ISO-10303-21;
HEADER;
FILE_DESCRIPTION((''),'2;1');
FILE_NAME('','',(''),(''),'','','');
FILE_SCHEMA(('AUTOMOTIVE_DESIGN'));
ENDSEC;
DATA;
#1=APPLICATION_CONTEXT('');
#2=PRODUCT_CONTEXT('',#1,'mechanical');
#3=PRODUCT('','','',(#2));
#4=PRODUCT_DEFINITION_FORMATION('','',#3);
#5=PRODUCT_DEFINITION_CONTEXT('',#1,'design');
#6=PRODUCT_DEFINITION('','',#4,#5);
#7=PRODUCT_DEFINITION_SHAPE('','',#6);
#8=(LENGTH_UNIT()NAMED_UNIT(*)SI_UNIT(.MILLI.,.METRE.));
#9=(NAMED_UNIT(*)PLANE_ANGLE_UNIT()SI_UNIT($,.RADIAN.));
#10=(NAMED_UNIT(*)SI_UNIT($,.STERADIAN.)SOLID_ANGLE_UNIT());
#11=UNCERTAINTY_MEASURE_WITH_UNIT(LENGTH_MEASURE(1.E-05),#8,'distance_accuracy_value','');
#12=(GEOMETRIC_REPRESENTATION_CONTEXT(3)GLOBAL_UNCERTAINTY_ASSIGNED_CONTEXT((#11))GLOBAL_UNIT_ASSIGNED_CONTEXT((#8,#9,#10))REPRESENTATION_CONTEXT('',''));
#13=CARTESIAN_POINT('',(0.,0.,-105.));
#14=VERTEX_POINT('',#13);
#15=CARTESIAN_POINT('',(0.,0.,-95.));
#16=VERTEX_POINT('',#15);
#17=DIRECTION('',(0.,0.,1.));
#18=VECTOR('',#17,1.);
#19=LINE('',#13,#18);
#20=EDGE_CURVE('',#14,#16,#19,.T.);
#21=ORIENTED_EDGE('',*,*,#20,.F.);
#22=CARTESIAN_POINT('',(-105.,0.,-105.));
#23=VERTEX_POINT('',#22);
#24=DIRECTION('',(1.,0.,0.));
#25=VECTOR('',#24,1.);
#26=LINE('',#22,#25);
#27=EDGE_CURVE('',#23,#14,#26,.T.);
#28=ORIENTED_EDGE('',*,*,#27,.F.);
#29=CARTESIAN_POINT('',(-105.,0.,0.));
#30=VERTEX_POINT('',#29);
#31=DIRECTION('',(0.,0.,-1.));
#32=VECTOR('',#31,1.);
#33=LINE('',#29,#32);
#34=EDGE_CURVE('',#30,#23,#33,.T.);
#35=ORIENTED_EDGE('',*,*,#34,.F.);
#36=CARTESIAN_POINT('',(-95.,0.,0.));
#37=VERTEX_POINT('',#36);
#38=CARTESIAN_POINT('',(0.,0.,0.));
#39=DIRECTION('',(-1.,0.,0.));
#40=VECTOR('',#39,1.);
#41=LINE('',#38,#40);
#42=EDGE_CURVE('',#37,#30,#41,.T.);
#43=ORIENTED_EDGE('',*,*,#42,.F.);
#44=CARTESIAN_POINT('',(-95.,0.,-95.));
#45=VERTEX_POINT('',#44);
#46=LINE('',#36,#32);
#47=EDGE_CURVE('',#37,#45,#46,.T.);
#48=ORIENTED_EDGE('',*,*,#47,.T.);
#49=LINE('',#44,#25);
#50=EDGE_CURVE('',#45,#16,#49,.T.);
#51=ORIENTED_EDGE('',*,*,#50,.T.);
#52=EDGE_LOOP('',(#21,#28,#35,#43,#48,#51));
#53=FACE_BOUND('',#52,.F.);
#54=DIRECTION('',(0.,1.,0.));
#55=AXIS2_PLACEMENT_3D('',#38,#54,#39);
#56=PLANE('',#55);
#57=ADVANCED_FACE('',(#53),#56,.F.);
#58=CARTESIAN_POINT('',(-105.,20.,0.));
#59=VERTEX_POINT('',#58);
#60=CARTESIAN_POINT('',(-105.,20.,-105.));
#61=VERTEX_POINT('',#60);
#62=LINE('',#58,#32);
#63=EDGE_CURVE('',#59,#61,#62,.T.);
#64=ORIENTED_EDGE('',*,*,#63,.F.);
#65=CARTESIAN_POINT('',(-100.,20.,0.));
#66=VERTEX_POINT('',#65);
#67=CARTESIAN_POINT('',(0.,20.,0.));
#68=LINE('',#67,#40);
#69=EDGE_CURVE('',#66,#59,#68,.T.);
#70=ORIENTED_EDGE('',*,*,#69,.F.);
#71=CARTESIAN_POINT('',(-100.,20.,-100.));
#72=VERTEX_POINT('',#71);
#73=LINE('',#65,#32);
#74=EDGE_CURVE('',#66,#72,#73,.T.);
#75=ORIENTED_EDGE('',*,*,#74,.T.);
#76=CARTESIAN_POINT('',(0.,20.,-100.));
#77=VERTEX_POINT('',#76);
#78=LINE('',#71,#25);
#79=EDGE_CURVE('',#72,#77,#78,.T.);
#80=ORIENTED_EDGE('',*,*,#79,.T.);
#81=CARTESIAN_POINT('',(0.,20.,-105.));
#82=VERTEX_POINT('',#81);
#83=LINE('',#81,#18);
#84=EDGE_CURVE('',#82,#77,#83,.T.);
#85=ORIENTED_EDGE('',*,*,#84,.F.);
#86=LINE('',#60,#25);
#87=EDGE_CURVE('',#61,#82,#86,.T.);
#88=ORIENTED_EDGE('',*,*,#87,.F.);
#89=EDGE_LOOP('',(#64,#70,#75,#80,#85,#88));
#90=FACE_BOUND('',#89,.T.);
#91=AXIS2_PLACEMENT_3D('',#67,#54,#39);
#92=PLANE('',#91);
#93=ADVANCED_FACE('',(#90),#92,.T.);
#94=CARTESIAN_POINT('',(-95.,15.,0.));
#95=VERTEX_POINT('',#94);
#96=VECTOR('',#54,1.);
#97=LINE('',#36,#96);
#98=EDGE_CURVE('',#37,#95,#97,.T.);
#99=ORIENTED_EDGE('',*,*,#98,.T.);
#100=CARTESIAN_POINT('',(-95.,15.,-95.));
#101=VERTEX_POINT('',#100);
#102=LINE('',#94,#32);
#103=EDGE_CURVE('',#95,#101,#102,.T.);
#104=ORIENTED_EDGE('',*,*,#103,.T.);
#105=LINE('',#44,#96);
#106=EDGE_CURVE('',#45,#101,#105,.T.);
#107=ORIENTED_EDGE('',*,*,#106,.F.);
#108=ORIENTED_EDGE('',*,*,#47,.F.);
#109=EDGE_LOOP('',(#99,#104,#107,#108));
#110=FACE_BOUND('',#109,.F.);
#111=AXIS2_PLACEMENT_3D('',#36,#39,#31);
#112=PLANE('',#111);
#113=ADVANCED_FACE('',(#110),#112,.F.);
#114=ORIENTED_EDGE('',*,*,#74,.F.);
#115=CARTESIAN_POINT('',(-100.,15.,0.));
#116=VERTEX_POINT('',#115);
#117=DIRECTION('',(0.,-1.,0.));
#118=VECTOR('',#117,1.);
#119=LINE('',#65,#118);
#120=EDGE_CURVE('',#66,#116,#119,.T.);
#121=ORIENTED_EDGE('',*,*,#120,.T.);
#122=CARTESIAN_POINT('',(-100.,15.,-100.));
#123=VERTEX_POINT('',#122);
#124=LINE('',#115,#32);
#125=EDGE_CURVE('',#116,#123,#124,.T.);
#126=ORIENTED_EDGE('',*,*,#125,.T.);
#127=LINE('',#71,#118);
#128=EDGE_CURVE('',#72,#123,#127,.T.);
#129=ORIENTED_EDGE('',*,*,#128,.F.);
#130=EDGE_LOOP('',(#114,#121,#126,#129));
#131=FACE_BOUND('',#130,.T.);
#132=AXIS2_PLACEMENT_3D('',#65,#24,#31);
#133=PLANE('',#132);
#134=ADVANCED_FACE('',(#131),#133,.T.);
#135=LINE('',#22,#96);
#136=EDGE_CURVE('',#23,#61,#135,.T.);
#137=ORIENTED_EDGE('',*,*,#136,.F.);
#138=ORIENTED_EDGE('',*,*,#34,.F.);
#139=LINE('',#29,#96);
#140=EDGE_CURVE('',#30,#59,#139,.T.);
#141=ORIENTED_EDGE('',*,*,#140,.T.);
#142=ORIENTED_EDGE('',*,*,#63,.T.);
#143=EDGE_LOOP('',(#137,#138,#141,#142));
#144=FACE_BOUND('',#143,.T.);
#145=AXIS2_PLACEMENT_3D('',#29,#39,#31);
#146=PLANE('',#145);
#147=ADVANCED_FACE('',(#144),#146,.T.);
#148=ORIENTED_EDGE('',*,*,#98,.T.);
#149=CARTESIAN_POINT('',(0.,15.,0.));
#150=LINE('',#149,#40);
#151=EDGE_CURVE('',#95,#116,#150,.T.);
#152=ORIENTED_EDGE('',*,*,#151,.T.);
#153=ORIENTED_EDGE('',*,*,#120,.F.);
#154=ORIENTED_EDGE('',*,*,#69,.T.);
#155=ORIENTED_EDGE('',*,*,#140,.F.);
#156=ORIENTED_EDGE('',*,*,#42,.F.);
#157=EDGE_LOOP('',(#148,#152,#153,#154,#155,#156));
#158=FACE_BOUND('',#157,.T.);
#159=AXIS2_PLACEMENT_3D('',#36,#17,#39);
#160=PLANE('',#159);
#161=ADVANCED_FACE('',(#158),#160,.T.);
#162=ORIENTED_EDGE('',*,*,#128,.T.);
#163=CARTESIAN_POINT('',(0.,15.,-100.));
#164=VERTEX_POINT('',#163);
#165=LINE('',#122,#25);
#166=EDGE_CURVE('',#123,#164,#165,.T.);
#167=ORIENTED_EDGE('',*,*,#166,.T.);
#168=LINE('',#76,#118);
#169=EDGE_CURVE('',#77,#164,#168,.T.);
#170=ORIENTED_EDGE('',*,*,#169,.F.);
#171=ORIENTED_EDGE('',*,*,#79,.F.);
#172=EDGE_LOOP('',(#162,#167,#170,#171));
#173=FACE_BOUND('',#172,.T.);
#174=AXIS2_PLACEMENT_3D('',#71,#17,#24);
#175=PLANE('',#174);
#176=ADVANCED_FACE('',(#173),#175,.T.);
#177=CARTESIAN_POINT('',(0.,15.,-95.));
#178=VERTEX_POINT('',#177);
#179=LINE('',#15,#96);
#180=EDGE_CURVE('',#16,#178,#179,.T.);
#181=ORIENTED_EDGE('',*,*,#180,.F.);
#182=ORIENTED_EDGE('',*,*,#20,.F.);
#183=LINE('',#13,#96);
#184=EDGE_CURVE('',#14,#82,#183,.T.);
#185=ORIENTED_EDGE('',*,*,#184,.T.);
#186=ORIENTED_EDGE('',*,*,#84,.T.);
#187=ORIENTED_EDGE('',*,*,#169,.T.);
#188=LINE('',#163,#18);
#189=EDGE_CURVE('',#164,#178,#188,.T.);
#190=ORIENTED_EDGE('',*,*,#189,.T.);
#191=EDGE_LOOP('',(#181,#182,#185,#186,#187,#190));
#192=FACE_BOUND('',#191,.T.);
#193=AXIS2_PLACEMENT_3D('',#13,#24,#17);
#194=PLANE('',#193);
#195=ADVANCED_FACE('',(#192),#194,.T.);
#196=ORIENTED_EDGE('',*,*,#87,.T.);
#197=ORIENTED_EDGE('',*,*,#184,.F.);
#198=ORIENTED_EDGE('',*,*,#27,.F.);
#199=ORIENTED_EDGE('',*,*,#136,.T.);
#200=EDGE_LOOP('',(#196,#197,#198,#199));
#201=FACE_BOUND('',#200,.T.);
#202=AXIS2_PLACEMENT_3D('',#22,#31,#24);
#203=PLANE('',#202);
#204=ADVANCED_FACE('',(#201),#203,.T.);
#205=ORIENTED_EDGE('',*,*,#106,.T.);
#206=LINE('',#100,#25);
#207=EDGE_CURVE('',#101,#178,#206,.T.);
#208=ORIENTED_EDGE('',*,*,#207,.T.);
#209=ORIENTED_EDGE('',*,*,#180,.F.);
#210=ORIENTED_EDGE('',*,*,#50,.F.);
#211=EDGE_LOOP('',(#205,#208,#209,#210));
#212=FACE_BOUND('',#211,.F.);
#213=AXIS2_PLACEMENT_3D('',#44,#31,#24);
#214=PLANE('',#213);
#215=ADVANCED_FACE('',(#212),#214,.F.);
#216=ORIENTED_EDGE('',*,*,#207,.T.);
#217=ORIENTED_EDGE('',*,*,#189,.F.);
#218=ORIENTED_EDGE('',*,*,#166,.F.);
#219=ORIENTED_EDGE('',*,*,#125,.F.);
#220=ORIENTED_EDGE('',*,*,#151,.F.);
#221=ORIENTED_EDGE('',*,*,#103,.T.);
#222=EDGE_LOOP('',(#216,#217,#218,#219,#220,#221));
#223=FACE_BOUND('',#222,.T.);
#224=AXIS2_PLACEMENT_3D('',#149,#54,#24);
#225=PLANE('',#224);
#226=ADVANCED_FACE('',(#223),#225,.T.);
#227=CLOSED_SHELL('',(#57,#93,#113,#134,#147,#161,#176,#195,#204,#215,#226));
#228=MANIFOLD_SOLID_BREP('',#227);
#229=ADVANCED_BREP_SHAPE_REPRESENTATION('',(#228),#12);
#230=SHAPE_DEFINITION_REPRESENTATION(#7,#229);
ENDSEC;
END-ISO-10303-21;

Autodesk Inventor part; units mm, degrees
ref_plane "YZ Plane" through (0, 0, 0) normal (1, 0, 0) x (0, 1, 0)
ref_plane "XZ Plane" through (0, 0, 0) normal (0, 1, 0) x (-1, 0, 0)
ref_plane "XY Plane" through (0, 0, 0) normal (0, 0, 1) x (1, 0, 0)
sketch "Esquisse2" plane through (0, 0, 0) normal (0, 1, 0) x (-1, 0, 0)
  line L0 (0, 0) -> (105, 0)
  line L1 (105, 0) -> (105, -105)
  line L2 (105, -105) -> (0, -105)
  line L3 (0, -105) -> (0, 0)
  line L4 (0, 0) -> (95, 0)
  line L5 (95, 0) -> (95, -95)
  line L6 (95, -95) -> (0, -95)
  line L7 (0, -95) -> (0, 0)
  dimension "d0" = 105
  dimension "d1" = 105
  dimension "d2" = 95
  dimension "d3" = 95
extrude "Extrusion1" add sketch "Esquisse2" along normal blind 20 contours L0 L1 L2 L3 L6 L5
sketch "Esquisse3" plane through (0, 20, 0) normal (0, 1, 0) x (1, 0, 0)
  line L0 (-95, 0) -> (-95, 95) projected
  line L1 (-10, 10) -> (-95, 10)
  line L2 (-95, 10) -> (-95, 95)
  line L3 (-95, 95) -> (-10, 95)
  line L4 (-10, 95) -> (-10, 10)
  line L5 (0, 0) -> (-100, 0)
  line L6 (-100, 0) -> (-100, 100)
  line L7 (-100, 100) -> (0, 100)
  line L8 (0, 100) -> (0, 0)
  point P0 (0, 0)
  dimension "d6" = 100
  dimension "d7" = 100
extrude "Extrusion2" cut sketch "Esquisse3" against normal blind 5
properties part number "rebord"
